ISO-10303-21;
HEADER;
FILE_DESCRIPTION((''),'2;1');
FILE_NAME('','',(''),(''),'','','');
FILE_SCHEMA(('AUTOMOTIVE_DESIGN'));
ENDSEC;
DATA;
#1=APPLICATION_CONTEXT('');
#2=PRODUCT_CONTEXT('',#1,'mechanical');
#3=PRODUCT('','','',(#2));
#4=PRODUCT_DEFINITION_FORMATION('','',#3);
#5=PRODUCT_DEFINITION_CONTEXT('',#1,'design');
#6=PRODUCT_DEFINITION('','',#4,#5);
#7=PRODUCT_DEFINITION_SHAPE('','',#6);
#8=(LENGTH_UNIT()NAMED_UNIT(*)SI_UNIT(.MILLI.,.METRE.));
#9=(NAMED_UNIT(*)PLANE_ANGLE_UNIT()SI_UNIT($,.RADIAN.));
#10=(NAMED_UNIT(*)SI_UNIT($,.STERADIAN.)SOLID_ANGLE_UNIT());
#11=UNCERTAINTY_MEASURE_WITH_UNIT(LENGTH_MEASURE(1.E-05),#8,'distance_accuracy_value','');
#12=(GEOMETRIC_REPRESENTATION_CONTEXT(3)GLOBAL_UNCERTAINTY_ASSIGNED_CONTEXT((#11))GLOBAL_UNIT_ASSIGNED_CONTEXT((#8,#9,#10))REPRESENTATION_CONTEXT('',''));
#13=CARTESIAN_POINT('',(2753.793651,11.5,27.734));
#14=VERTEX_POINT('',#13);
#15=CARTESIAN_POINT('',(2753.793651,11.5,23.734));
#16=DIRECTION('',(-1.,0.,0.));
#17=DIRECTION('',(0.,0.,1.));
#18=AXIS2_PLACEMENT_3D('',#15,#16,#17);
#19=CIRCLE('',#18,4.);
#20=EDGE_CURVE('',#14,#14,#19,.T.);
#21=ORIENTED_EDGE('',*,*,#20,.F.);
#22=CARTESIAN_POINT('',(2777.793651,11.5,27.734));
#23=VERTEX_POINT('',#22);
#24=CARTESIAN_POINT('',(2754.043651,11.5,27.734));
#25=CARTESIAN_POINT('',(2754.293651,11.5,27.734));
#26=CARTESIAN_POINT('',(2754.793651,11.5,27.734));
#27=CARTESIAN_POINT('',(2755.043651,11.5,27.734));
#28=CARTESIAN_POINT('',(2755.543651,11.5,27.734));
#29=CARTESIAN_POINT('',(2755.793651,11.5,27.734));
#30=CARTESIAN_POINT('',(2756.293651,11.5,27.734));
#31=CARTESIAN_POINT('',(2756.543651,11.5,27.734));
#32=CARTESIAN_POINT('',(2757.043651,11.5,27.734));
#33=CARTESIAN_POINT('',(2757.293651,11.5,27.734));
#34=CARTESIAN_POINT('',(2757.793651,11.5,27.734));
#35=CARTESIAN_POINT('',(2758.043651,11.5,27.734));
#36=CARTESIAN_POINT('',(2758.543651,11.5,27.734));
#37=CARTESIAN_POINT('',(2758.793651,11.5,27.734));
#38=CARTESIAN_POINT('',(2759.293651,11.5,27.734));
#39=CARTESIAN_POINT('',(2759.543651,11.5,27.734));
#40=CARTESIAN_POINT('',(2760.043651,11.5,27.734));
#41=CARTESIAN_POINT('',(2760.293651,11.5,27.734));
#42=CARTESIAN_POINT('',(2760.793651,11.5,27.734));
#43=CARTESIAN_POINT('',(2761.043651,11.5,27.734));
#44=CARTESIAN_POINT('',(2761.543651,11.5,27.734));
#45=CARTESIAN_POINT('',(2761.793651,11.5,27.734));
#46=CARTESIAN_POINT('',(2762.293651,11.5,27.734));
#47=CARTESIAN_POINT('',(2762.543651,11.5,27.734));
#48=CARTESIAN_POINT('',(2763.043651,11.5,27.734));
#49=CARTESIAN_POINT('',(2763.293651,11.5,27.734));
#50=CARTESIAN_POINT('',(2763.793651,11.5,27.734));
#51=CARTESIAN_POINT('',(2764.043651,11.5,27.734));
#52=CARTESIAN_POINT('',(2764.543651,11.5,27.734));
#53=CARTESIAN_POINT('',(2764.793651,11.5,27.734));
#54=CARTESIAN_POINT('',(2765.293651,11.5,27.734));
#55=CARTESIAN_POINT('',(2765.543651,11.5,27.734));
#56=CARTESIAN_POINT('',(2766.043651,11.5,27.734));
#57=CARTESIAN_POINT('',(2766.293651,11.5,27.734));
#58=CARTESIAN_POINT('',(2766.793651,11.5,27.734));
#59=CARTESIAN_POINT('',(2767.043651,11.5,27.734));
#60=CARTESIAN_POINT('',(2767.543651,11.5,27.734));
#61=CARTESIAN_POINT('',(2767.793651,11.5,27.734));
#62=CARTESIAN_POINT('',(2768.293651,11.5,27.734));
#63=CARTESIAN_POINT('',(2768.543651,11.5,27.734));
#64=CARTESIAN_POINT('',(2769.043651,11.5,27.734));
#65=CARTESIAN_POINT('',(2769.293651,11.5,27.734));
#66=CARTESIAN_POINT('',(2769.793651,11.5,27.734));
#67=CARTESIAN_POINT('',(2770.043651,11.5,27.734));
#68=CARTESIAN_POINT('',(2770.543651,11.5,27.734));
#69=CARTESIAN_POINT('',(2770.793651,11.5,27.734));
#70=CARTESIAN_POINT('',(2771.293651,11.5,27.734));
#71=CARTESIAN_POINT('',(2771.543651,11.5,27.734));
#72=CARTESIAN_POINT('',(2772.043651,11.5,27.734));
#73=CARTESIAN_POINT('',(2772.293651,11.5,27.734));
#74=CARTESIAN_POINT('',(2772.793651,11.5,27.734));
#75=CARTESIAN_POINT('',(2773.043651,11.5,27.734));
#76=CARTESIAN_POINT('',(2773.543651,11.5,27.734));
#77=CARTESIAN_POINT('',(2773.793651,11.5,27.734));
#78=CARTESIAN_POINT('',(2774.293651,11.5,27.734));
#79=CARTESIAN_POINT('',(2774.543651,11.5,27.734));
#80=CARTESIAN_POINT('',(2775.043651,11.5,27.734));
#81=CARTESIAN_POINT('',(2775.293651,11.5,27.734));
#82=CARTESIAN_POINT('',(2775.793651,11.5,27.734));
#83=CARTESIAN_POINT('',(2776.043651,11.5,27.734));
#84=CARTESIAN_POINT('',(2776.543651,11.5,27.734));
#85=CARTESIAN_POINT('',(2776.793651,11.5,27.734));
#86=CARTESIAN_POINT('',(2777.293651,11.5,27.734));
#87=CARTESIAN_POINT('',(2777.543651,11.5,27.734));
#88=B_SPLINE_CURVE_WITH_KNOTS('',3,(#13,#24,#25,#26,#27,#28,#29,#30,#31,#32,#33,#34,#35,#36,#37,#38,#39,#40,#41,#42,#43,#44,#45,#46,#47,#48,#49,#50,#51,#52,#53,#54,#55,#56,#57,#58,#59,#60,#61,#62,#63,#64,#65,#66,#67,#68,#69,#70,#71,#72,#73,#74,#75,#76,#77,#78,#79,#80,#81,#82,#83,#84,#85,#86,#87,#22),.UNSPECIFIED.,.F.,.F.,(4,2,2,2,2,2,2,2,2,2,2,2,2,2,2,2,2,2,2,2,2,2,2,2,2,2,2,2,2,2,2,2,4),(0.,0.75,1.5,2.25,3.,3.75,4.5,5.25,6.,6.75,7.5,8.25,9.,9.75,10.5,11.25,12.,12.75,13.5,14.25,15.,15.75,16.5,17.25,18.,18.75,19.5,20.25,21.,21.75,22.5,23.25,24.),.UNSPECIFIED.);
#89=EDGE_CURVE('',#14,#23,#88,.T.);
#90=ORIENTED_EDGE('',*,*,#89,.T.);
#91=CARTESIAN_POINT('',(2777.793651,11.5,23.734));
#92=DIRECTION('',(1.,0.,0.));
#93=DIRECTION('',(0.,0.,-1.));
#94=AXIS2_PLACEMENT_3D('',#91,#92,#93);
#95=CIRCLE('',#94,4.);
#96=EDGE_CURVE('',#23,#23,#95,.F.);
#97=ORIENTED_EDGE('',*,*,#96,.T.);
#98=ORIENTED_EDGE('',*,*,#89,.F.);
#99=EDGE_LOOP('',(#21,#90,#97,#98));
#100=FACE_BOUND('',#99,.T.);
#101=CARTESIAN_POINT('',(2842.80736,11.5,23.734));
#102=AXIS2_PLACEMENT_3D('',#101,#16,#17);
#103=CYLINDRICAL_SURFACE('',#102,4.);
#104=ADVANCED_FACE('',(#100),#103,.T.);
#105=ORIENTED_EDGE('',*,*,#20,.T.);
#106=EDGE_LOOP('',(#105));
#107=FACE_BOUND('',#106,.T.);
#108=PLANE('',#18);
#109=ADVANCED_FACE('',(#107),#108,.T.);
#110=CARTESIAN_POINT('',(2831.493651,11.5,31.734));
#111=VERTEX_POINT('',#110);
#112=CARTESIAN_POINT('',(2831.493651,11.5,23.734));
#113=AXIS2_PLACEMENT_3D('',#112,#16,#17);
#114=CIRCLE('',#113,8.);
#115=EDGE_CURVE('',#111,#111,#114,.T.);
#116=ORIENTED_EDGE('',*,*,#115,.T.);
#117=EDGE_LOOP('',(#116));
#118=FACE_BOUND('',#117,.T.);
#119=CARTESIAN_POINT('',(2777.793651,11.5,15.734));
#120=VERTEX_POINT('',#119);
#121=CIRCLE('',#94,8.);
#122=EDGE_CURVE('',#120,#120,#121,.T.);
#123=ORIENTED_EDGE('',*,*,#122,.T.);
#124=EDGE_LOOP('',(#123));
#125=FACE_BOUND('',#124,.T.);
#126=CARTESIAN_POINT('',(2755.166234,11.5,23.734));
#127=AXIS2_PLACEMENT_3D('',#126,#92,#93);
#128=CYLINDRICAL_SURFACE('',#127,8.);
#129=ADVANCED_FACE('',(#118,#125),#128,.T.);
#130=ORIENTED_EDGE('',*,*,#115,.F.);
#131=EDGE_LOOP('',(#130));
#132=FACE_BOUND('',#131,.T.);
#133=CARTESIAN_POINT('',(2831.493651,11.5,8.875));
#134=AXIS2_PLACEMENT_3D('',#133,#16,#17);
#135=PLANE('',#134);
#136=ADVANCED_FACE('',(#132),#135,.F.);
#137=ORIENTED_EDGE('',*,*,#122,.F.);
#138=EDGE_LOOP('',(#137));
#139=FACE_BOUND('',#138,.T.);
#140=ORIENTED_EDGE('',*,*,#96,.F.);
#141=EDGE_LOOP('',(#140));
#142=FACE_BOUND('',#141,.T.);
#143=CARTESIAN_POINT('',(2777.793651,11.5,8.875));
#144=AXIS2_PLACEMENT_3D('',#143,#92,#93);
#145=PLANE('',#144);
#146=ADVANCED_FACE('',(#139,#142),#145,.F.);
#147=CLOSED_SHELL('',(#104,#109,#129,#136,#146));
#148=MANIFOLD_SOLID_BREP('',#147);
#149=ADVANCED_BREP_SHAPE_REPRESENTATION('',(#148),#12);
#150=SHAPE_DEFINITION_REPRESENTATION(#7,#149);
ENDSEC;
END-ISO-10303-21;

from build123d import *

# Parameters (mm, degrees)
SKETCH3_R           = 4
BASE_EXTRUDE_DEPTH  = 77.7
SKETCH4_R           = 8
BOSS_EXTRUDE1_DEPTH = 53.7


with BuildPart() as part:
    # Sketch3 → Base-Extrude (new body)
    with BuildSketch(Plane.ZY.offset(-2753.793651439)):
        with Locations((23.734, 11.5)):
            Circle(SKETCH3_R)
    extrude(amount=-BASE_EXTRUDE_DEPTH)

    # Sketch4 → Boss-Extrude1 (add)
    with BuildSketch(Plane.ZY.offset(-2831.493651439)):
        with Locations(Location((23.734, 11.5, 0), (0, 0, 180))):
            Circle(SKETCH4_R)
    extrude(amount=BOSS_EXTRUDE1_DEPTH)


solid = part.part
